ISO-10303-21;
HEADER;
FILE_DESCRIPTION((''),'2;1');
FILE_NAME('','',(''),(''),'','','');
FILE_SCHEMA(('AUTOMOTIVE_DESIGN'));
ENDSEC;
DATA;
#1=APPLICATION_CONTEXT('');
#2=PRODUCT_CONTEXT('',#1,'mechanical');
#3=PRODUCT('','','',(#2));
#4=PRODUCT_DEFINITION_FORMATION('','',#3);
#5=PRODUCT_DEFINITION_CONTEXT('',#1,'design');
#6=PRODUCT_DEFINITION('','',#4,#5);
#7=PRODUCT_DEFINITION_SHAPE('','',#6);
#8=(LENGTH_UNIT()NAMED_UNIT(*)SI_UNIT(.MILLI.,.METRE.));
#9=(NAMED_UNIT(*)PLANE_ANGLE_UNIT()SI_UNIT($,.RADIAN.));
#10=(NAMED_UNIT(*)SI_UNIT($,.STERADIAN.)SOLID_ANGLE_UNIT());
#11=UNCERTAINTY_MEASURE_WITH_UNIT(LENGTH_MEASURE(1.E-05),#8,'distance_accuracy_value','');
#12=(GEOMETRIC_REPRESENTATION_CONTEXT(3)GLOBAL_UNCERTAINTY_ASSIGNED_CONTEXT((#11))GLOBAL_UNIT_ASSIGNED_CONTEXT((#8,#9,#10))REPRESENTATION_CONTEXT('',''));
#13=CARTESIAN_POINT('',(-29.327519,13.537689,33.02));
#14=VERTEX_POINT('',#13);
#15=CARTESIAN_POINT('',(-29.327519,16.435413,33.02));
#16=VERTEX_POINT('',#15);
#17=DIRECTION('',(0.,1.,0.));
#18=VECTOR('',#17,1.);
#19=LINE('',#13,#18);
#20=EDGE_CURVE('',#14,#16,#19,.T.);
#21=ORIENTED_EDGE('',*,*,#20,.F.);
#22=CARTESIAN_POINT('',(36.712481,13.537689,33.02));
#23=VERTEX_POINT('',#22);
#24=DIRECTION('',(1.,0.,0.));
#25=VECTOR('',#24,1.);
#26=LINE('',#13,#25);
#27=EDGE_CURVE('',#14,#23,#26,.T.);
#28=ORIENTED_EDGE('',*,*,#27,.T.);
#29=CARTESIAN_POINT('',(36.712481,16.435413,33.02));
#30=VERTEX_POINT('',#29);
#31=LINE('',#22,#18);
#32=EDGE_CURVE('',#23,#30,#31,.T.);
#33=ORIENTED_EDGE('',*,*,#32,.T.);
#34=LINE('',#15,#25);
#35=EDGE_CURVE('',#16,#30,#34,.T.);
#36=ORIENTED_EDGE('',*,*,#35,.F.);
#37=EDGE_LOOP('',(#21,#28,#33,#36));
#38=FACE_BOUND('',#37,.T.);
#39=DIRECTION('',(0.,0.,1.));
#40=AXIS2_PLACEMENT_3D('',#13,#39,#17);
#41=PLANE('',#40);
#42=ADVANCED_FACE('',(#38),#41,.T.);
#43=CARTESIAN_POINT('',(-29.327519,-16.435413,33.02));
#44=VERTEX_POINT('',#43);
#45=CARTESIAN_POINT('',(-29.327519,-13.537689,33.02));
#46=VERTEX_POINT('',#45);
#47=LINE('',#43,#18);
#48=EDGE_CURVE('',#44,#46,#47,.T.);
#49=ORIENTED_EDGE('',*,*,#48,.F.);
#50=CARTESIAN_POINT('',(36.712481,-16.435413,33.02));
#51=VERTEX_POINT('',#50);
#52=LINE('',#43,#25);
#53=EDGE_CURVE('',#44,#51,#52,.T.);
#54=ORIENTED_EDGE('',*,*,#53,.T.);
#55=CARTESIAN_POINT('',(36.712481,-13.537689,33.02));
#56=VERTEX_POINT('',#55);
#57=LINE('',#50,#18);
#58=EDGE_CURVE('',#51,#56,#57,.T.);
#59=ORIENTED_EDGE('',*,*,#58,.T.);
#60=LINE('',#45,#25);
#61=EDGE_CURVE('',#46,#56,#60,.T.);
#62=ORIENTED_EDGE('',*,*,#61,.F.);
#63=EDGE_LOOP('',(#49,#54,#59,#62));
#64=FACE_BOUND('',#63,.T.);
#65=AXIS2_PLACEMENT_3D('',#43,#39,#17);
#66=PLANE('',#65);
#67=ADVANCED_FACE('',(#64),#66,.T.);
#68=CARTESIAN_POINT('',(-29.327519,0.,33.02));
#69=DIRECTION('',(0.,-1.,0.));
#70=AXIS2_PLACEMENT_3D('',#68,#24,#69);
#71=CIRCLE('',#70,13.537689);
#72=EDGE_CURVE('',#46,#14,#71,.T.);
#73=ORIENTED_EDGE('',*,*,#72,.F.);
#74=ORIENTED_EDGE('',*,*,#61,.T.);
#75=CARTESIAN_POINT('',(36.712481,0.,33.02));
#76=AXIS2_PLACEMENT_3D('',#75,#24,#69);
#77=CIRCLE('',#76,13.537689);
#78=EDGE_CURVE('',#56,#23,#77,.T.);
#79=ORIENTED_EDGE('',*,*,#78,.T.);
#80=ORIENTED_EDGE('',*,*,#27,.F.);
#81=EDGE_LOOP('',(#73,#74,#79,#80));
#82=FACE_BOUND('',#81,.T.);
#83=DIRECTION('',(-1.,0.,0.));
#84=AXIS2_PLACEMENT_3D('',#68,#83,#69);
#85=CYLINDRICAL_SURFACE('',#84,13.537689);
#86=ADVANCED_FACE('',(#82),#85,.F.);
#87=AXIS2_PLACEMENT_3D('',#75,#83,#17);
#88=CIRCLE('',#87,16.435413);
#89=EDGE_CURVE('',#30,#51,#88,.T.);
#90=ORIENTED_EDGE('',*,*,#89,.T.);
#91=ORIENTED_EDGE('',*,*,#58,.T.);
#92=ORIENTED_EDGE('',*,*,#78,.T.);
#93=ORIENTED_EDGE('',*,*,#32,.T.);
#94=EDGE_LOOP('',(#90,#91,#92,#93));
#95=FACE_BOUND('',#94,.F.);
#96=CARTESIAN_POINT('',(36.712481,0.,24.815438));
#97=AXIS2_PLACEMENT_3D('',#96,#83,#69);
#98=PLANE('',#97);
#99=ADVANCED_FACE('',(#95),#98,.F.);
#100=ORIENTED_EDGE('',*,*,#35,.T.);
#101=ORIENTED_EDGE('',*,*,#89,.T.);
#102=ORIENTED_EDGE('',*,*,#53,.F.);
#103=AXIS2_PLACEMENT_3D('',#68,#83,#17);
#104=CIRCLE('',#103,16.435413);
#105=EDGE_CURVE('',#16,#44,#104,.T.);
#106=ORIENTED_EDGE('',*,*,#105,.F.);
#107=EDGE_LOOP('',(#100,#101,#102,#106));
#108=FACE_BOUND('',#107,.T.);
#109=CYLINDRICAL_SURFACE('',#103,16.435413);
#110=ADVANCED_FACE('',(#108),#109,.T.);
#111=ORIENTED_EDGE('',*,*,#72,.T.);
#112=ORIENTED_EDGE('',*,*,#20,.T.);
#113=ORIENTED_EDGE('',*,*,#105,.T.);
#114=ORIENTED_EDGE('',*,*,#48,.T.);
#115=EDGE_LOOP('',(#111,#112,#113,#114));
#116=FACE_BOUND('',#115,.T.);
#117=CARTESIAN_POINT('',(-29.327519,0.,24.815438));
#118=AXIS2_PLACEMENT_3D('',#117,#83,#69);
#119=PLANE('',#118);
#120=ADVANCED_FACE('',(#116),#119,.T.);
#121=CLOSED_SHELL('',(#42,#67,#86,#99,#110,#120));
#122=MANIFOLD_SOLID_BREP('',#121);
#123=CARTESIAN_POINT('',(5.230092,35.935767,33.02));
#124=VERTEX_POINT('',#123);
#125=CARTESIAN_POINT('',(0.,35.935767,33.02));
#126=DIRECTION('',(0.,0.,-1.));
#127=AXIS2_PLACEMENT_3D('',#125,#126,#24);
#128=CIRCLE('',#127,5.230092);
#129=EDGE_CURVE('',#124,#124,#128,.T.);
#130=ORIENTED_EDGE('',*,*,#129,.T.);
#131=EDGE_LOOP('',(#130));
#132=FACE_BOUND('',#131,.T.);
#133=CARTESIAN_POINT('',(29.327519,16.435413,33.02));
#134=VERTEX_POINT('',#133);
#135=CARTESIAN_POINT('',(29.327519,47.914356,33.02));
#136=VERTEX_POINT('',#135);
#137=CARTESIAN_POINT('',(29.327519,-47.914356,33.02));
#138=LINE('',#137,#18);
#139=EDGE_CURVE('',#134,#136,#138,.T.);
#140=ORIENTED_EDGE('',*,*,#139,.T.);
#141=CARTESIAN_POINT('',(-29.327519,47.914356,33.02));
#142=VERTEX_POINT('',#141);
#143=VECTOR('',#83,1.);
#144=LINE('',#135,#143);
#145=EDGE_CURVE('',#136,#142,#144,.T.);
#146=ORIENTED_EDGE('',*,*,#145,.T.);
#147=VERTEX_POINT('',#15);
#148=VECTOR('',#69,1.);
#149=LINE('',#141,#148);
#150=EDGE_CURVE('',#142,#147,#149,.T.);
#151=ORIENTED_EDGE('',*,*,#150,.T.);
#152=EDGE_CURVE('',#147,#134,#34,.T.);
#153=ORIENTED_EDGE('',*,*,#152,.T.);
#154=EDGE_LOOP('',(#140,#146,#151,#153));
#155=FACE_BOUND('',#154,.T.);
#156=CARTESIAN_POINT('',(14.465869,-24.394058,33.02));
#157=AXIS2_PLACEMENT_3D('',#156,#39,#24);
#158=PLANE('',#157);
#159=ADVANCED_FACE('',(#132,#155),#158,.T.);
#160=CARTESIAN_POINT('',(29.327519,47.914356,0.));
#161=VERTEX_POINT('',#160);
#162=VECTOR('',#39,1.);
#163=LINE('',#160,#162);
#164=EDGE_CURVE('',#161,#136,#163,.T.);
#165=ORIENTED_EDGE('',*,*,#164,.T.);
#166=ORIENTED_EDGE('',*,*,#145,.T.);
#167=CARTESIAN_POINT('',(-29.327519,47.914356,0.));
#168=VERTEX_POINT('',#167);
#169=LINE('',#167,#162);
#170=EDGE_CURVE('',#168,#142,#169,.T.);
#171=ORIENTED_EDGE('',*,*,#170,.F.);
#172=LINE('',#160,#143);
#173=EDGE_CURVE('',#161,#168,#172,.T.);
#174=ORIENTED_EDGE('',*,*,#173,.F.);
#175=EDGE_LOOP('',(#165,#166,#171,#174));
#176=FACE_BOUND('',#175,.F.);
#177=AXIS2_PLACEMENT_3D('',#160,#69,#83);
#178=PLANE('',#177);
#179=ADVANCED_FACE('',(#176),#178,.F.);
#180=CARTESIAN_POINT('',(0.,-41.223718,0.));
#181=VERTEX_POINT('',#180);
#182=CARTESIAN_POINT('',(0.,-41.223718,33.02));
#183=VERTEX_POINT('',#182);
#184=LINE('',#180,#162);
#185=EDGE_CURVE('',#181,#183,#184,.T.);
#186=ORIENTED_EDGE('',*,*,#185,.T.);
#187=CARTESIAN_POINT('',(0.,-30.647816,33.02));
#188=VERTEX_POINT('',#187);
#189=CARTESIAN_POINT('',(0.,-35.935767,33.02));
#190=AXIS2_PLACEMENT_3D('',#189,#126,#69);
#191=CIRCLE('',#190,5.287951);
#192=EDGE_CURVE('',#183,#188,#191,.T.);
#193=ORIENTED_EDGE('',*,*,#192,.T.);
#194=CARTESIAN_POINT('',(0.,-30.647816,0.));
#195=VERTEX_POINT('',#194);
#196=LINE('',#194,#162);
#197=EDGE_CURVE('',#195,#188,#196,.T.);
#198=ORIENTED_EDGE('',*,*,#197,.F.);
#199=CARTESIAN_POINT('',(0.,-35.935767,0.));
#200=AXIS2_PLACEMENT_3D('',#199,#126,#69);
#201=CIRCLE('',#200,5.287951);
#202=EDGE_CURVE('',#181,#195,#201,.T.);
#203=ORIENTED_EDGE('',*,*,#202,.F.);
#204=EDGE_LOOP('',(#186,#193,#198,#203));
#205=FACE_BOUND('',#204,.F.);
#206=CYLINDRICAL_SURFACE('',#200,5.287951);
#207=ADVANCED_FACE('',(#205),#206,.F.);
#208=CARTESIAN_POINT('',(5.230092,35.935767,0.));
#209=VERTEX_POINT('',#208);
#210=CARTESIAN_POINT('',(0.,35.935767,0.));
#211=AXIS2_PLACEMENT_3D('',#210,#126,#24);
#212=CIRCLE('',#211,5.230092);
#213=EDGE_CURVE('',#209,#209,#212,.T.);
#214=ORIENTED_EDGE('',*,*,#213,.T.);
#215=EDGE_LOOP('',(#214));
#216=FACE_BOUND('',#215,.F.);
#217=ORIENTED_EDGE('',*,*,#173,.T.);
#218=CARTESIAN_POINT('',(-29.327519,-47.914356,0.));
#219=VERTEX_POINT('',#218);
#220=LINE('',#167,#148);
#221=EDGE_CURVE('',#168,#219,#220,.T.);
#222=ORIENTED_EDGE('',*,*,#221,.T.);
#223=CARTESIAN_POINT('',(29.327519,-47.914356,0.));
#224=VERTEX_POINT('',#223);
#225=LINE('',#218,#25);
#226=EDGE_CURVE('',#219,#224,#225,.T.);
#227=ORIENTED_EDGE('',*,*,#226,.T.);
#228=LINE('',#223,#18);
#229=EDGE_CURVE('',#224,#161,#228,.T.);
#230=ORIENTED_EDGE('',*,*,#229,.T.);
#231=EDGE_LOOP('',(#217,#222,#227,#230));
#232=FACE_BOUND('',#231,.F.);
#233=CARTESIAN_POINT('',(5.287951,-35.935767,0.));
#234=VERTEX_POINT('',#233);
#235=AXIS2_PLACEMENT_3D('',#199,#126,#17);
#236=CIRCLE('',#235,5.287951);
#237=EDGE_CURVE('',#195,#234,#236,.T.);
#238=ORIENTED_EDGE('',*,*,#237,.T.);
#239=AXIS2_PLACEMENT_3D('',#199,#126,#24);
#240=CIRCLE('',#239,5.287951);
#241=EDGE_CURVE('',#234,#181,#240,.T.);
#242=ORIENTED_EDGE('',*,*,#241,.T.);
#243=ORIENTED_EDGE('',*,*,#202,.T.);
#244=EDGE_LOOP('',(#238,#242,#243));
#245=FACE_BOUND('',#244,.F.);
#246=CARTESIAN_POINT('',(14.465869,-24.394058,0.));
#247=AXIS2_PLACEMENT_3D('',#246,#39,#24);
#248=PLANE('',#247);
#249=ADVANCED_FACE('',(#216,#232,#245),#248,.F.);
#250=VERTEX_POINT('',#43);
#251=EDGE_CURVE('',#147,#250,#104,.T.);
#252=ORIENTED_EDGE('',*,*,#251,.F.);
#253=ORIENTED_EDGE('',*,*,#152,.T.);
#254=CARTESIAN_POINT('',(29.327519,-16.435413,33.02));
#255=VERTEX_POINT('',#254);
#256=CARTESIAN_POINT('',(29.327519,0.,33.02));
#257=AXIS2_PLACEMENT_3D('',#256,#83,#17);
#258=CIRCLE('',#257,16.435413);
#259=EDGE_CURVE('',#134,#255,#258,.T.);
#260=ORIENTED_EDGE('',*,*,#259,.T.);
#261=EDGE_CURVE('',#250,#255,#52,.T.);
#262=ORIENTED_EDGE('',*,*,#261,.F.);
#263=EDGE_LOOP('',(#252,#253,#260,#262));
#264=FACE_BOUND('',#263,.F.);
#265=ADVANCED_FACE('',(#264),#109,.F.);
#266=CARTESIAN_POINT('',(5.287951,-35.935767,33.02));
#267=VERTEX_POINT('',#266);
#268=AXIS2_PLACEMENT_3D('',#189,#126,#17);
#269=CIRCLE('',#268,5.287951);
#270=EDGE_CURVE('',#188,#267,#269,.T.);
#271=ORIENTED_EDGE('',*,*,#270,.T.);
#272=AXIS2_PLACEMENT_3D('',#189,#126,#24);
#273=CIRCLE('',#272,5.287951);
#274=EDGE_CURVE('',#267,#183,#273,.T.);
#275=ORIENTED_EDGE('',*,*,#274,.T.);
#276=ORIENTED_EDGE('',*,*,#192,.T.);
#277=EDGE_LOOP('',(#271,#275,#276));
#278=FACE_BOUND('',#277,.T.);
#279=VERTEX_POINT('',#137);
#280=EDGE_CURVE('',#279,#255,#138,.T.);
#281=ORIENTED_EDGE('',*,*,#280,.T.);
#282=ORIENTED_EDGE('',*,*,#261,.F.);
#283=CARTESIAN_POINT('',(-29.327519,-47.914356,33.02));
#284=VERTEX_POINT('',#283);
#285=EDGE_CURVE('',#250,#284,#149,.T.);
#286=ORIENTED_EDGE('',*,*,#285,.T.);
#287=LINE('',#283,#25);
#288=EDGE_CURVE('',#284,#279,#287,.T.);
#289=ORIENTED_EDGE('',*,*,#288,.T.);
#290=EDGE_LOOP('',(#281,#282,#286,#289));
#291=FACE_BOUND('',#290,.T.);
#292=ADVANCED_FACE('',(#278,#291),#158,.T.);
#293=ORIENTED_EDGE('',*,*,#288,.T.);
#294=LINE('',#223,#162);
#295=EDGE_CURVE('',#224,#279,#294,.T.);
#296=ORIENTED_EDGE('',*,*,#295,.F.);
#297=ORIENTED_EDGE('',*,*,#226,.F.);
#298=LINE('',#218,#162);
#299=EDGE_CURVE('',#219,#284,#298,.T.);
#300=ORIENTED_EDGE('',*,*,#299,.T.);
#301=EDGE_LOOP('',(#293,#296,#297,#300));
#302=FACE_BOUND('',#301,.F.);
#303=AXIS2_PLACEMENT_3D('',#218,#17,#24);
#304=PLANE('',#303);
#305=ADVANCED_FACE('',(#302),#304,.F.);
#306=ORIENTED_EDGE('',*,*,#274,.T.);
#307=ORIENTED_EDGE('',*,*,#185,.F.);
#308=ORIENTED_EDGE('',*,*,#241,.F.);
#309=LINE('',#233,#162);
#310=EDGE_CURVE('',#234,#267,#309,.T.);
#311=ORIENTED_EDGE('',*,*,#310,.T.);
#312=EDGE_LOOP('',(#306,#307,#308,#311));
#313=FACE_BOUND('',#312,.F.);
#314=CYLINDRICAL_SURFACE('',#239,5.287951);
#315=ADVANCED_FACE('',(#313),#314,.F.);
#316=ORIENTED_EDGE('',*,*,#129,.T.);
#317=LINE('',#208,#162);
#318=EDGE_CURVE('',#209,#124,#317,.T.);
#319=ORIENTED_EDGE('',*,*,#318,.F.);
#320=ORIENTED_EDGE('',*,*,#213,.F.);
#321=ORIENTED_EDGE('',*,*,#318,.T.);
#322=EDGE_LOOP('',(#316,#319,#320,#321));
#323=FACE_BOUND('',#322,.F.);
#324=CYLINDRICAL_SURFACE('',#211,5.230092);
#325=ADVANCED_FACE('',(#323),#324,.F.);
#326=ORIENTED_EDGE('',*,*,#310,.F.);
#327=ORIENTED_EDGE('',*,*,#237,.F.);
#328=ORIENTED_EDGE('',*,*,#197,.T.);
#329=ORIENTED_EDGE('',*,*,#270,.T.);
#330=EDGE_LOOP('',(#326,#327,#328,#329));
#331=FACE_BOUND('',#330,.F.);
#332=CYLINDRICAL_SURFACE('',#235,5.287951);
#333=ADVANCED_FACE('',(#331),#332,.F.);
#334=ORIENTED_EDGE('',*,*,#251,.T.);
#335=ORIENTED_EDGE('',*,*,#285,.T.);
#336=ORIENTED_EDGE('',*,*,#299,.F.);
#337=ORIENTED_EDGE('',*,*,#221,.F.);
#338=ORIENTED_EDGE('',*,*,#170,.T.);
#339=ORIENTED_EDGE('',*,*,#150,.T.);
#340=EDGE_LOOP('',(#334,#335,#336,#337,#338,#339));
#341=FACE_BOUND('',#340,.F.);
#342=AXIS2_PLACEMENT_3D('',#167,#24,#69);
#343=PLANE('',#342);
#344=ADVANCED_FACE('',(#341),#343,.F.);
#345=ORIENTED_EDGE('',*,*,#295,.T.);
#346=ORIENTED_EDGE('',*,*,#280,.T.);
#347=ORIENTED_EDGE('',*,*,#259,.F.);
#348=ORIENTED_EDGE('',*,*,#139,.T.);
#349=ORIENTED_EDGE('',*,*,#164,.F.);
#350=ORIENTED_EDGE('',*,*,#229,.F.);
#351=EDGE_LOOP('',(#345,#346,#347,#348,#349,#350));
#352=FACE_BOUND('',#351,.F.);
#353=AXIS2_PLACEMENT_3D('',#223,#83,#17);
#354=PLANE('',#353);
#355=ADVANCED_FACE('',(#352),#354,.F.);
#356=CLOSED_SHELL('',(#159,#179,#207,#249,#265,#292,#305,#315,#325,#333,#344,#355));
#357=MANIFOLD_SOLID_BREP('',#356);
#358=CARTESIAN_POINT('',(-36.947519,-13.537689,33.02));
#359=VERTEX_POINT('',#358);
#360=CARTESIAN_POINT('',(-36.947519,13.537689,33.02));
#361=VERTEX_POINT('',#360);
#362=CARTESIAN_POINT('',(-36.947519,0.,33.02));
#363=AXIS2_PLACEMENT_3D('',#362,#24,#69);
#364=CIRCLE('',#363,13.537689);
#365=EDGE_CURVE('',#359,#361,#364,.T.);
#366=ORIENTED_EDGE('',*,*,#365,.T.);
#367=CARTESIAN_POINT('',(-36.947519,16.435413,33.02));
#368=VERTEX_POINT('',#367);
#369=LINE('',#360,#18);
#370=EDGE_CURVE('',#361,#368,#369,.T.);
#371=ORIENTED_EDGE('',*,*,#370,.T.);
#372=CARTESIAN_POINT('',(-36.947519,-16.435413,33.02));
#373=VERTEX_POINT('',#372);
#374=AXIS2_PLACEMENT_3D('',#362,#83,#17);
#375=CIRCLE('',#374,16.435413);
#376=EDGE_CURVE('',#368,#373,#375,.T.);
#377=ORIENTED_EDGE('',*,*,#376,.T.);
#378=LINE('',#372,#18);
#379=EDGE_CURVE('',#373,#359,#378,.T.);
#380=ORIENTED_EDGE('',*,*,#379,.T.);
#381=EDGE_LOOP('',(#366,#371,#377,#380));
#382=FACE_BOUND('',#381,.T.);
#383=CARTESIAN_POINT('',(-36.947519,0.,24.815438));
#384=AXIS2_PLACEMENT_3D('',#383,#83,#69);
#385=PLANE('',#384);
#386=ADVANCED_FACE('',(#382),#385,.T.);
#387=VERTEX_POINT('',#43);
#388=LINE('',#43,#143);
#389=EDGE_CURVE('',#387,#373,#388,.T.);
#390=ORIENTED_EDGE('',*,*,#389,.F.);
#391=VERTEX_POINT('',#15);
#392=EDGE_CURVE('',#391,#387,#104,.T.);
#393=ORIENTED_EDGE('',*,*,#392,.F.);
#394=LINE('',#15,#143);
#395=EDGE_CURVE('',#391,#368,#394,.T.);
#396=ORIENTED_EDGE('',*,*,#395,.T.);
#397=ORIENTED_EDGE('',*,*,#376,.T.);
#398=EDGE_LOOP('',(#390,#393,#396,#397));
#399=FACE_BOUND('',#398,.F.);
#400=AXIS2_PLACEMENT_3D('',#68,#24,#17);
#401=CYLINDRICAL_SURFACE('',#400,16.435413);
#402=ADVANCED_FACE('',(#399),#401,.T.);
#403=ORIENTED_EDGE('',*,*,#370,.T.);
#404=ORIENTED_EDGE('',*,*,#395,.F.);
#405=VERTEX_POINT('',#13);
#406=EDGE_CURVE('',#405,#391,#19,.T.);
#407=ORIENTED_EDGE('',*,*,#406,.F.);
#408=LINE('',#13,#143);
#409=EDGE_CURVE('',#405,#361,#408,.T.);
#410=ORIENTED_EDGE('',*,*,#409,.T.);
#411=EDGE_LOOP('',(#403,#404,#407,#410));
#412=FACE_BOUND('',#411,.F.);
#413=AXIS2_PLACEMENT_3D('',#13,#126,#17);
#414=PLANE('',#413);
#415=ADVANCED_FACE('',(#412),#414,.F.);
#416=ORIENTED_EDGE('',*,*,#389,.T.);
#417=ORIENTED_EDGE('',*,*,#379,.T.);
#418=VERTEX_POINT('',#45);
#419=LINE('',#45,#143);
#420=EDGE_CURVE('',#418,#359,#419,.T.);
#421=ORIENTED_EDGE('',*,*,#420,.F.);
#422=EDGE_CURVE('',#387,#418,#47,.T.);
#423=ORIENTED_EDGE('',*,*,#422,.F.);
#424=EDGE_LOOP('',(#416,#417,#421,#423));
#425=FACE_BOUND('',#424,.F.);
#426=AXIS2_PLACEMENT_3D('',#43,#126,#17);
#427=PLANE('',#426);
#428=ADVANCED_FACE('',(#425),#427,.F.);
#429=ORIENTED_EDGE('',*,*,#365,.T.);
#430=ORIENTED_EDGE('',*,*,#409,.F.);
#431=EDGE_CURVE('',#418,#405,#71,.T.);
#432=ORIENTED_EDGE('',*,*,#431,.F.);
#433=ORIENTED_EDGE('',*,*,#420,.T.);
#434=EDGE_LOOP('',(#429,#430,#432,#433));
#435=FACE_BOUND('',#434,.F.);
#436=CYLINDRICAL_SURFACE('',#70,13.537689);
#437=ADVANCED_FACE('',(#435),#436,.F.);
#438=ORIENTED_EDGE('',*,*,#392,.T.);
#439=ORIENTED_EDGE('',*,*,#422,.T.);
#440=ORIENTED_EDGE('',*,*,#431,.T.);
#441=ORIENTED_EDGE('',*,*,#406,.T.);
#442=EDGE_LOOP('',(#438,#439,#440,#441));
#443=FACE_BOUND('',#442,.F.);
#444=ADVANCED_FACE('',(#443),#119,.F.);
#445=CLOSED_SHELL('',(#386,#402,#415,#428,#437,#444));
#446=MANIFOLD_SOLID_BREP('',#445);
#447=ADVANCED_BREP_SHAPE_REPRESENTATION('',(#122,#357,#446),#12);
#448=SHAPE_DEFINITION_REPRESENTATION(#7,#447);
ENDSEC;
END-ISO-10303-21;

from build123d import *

# Parameters (mm, degrees)
F1_DEPTH = 33.02
F3_DEPTH = 76.2
F4_DEPTH = 7.62
F5_DEPTH = 66.04


with BuildPart() as f1:
    # F0 (on Top) → F1 (new body)
    with BuildSketch(Plane.XY):
        with BuildLine():
            Line((0, -47.9143559933), (29.3275189122, -47.9143559933))
            Line((29.3275189122, -47.9143559933), (29.3275189122, 0))
            Line((29.3275189122, 0), (0, 0))
            Line((0, 0), (0, -23.9571779966))
            Line((0, -23.9571779966), (0, -30.6478155525))
            ThreePointArc((0, -30.6478155525), (3.7391463235, -32.1966206714), (5.2879514424, -35.935766995))
            ThreePointArc((5.2879514424, -35.935766995), (3.7391463235, -39.6749133185), (0, -41.2237184374))
            Line((0, -41.2237184374), (0, -47.9143559933))
        make_face()
        with BuildLine():
            Line((-29.3275189122, -47.9143559933), (0, -47.9143559933))
            Line((0, -47.9143559933), (0, -41.2237184374))
            ThreePointArc((0, -41.2237184374), (-5.2879514424, -35.935766995), (0, -30.6478155525))
            Line((0, -30.6478155525), (0, -23.9571779966))
            Line((0, -23.9571779966), (0, 0))
            Line((0, 0), (-29.3275189122, 0))
            Line((-29.3275189122, 0), (-29.3275189122, -47.9143559933))
        make_face()
        with BuildLine():
            Line((0, 0), (29.3275189122, 0))
            Line((29.3275189122, 0), (29.3275189122, 47.9143559933))
            Line((29.3275189122, 47.9143559933), (0, 47.9143559933))
            Line((0, 47.9143559933), (0, 41.165858772))
            ThreePointArc((0, 41.165858772), (3.6982333618, 39.6340003567), (5.2300917771, 35.935766995))
            ThreePointArc((5.2300917771, 35.935766995), (3.6982333618, 32.2375336332), (0, 30.7056752179))
            Line((0, 30.7056752179), (0, 23.9571779966))
            Line((0, 23.9571779966), (0, 0))
        make_face()
        with BuildLine():
            Line((-29.3275189122, 0), (0, 0))
            Line((0, 0), (0, 23.9571779966))
            Line((0, 23.9571779966), (0, 30.7056752179))
            ThreePointArc((0, 30.7056752179), (-5.2300917771, 35.935766995), (0, 41.165858772))
            Line((0, 41.165858772), (0, 47.9143559933))
            Line((0, 47.9143559933), (-29.3275189122, 47.9143559933))
            Line((-29.3275189122, 47.9143559933), (-29.3275189122, 0))
        make_face()
    extrude(amount=F1_DEPTH)

    # F2 (on face) → F3 (cut)
    with BuildSketch(Plane(origin=(-29.3275189122, 0, 0), x_dir=(0, -1, 0), z_dir=(-1, 0, 0))):
        with BuildLine():
            ThreePointArc((-16.4354129584, 33.02), (0, 16.5845870416), (16.4354129584, 33.02))
            Line((16.4354129584, 33.02), (13.5376890678, 33.02))
            ThreePointArc((13.5376890678, 33.02), (0, 19.4823109322), (-13.5376890678, 33.02))
            Line((-13.5376890678, 33.02), (-16.4354129584, 33.02))
        make_face()
        with BuildLine():
            ThreePointArc((-13.5376890678, 33.02), (0, 19.4823109322), (13.5376890678, 33.02))
            Line((13.5376890678, 33.02), (-13.5376890678, 33.02))
        make_face()
    extrude(amount=-F3_DEPTH, mode=Mode.SUBTRACT)


with BuildPart() as f4:
    # F2 (on face) → F4 (new body)
    with BuildSketch(Plane(origin=(-29.3275189122, 0, 0), x_dir=(0, -1, 0), z_dir=(-1, 0, 0))):
        with BuildLine():
            ThreePointArc((-16.4354129584, 33.02), (0, 16.5845870416), (16.4354129584, 33.02))
            Line((16.4354129584, 33.02), (13.5376890678, 33.02))
            ThreePointArc((13.5376890678, 33.02), (0, 19.4823109322), (-13.5376890678, 33.02))
            Line((-13.5376890678, 33.02), (-16.4354129584, 33.02))
        make_face()
    extrude(amount=F4_DEPTH)


with BuildPart() as f5:
    # F2 (on face) → F5 (new body)
    with BuildSketch(Plane(origin=(-29.3275189122, 0, 0), x_dir=(0, -1, 0), z_dir=(-1, 0, 0))):
        with BuildLine():
            ThreePointArc((-16.4354129584, 33.02), (0, 16.5845870416), (16.4354129584, 33.02))
            Line((16.4354129584, 33.02), (13.5376890678, 33.02))
            ThreePointArc((13.5376890678, 33.02), (0, 19.4823109322), (-13.5376890678, 33.02))
            Line((-13.5376890678, 33.02), (-16.4354129584, 33.02))
        make_face()
    extrude(amount=-F5_DEPTH)


solid = Compound([f1.part, f4.part, f5.part])
